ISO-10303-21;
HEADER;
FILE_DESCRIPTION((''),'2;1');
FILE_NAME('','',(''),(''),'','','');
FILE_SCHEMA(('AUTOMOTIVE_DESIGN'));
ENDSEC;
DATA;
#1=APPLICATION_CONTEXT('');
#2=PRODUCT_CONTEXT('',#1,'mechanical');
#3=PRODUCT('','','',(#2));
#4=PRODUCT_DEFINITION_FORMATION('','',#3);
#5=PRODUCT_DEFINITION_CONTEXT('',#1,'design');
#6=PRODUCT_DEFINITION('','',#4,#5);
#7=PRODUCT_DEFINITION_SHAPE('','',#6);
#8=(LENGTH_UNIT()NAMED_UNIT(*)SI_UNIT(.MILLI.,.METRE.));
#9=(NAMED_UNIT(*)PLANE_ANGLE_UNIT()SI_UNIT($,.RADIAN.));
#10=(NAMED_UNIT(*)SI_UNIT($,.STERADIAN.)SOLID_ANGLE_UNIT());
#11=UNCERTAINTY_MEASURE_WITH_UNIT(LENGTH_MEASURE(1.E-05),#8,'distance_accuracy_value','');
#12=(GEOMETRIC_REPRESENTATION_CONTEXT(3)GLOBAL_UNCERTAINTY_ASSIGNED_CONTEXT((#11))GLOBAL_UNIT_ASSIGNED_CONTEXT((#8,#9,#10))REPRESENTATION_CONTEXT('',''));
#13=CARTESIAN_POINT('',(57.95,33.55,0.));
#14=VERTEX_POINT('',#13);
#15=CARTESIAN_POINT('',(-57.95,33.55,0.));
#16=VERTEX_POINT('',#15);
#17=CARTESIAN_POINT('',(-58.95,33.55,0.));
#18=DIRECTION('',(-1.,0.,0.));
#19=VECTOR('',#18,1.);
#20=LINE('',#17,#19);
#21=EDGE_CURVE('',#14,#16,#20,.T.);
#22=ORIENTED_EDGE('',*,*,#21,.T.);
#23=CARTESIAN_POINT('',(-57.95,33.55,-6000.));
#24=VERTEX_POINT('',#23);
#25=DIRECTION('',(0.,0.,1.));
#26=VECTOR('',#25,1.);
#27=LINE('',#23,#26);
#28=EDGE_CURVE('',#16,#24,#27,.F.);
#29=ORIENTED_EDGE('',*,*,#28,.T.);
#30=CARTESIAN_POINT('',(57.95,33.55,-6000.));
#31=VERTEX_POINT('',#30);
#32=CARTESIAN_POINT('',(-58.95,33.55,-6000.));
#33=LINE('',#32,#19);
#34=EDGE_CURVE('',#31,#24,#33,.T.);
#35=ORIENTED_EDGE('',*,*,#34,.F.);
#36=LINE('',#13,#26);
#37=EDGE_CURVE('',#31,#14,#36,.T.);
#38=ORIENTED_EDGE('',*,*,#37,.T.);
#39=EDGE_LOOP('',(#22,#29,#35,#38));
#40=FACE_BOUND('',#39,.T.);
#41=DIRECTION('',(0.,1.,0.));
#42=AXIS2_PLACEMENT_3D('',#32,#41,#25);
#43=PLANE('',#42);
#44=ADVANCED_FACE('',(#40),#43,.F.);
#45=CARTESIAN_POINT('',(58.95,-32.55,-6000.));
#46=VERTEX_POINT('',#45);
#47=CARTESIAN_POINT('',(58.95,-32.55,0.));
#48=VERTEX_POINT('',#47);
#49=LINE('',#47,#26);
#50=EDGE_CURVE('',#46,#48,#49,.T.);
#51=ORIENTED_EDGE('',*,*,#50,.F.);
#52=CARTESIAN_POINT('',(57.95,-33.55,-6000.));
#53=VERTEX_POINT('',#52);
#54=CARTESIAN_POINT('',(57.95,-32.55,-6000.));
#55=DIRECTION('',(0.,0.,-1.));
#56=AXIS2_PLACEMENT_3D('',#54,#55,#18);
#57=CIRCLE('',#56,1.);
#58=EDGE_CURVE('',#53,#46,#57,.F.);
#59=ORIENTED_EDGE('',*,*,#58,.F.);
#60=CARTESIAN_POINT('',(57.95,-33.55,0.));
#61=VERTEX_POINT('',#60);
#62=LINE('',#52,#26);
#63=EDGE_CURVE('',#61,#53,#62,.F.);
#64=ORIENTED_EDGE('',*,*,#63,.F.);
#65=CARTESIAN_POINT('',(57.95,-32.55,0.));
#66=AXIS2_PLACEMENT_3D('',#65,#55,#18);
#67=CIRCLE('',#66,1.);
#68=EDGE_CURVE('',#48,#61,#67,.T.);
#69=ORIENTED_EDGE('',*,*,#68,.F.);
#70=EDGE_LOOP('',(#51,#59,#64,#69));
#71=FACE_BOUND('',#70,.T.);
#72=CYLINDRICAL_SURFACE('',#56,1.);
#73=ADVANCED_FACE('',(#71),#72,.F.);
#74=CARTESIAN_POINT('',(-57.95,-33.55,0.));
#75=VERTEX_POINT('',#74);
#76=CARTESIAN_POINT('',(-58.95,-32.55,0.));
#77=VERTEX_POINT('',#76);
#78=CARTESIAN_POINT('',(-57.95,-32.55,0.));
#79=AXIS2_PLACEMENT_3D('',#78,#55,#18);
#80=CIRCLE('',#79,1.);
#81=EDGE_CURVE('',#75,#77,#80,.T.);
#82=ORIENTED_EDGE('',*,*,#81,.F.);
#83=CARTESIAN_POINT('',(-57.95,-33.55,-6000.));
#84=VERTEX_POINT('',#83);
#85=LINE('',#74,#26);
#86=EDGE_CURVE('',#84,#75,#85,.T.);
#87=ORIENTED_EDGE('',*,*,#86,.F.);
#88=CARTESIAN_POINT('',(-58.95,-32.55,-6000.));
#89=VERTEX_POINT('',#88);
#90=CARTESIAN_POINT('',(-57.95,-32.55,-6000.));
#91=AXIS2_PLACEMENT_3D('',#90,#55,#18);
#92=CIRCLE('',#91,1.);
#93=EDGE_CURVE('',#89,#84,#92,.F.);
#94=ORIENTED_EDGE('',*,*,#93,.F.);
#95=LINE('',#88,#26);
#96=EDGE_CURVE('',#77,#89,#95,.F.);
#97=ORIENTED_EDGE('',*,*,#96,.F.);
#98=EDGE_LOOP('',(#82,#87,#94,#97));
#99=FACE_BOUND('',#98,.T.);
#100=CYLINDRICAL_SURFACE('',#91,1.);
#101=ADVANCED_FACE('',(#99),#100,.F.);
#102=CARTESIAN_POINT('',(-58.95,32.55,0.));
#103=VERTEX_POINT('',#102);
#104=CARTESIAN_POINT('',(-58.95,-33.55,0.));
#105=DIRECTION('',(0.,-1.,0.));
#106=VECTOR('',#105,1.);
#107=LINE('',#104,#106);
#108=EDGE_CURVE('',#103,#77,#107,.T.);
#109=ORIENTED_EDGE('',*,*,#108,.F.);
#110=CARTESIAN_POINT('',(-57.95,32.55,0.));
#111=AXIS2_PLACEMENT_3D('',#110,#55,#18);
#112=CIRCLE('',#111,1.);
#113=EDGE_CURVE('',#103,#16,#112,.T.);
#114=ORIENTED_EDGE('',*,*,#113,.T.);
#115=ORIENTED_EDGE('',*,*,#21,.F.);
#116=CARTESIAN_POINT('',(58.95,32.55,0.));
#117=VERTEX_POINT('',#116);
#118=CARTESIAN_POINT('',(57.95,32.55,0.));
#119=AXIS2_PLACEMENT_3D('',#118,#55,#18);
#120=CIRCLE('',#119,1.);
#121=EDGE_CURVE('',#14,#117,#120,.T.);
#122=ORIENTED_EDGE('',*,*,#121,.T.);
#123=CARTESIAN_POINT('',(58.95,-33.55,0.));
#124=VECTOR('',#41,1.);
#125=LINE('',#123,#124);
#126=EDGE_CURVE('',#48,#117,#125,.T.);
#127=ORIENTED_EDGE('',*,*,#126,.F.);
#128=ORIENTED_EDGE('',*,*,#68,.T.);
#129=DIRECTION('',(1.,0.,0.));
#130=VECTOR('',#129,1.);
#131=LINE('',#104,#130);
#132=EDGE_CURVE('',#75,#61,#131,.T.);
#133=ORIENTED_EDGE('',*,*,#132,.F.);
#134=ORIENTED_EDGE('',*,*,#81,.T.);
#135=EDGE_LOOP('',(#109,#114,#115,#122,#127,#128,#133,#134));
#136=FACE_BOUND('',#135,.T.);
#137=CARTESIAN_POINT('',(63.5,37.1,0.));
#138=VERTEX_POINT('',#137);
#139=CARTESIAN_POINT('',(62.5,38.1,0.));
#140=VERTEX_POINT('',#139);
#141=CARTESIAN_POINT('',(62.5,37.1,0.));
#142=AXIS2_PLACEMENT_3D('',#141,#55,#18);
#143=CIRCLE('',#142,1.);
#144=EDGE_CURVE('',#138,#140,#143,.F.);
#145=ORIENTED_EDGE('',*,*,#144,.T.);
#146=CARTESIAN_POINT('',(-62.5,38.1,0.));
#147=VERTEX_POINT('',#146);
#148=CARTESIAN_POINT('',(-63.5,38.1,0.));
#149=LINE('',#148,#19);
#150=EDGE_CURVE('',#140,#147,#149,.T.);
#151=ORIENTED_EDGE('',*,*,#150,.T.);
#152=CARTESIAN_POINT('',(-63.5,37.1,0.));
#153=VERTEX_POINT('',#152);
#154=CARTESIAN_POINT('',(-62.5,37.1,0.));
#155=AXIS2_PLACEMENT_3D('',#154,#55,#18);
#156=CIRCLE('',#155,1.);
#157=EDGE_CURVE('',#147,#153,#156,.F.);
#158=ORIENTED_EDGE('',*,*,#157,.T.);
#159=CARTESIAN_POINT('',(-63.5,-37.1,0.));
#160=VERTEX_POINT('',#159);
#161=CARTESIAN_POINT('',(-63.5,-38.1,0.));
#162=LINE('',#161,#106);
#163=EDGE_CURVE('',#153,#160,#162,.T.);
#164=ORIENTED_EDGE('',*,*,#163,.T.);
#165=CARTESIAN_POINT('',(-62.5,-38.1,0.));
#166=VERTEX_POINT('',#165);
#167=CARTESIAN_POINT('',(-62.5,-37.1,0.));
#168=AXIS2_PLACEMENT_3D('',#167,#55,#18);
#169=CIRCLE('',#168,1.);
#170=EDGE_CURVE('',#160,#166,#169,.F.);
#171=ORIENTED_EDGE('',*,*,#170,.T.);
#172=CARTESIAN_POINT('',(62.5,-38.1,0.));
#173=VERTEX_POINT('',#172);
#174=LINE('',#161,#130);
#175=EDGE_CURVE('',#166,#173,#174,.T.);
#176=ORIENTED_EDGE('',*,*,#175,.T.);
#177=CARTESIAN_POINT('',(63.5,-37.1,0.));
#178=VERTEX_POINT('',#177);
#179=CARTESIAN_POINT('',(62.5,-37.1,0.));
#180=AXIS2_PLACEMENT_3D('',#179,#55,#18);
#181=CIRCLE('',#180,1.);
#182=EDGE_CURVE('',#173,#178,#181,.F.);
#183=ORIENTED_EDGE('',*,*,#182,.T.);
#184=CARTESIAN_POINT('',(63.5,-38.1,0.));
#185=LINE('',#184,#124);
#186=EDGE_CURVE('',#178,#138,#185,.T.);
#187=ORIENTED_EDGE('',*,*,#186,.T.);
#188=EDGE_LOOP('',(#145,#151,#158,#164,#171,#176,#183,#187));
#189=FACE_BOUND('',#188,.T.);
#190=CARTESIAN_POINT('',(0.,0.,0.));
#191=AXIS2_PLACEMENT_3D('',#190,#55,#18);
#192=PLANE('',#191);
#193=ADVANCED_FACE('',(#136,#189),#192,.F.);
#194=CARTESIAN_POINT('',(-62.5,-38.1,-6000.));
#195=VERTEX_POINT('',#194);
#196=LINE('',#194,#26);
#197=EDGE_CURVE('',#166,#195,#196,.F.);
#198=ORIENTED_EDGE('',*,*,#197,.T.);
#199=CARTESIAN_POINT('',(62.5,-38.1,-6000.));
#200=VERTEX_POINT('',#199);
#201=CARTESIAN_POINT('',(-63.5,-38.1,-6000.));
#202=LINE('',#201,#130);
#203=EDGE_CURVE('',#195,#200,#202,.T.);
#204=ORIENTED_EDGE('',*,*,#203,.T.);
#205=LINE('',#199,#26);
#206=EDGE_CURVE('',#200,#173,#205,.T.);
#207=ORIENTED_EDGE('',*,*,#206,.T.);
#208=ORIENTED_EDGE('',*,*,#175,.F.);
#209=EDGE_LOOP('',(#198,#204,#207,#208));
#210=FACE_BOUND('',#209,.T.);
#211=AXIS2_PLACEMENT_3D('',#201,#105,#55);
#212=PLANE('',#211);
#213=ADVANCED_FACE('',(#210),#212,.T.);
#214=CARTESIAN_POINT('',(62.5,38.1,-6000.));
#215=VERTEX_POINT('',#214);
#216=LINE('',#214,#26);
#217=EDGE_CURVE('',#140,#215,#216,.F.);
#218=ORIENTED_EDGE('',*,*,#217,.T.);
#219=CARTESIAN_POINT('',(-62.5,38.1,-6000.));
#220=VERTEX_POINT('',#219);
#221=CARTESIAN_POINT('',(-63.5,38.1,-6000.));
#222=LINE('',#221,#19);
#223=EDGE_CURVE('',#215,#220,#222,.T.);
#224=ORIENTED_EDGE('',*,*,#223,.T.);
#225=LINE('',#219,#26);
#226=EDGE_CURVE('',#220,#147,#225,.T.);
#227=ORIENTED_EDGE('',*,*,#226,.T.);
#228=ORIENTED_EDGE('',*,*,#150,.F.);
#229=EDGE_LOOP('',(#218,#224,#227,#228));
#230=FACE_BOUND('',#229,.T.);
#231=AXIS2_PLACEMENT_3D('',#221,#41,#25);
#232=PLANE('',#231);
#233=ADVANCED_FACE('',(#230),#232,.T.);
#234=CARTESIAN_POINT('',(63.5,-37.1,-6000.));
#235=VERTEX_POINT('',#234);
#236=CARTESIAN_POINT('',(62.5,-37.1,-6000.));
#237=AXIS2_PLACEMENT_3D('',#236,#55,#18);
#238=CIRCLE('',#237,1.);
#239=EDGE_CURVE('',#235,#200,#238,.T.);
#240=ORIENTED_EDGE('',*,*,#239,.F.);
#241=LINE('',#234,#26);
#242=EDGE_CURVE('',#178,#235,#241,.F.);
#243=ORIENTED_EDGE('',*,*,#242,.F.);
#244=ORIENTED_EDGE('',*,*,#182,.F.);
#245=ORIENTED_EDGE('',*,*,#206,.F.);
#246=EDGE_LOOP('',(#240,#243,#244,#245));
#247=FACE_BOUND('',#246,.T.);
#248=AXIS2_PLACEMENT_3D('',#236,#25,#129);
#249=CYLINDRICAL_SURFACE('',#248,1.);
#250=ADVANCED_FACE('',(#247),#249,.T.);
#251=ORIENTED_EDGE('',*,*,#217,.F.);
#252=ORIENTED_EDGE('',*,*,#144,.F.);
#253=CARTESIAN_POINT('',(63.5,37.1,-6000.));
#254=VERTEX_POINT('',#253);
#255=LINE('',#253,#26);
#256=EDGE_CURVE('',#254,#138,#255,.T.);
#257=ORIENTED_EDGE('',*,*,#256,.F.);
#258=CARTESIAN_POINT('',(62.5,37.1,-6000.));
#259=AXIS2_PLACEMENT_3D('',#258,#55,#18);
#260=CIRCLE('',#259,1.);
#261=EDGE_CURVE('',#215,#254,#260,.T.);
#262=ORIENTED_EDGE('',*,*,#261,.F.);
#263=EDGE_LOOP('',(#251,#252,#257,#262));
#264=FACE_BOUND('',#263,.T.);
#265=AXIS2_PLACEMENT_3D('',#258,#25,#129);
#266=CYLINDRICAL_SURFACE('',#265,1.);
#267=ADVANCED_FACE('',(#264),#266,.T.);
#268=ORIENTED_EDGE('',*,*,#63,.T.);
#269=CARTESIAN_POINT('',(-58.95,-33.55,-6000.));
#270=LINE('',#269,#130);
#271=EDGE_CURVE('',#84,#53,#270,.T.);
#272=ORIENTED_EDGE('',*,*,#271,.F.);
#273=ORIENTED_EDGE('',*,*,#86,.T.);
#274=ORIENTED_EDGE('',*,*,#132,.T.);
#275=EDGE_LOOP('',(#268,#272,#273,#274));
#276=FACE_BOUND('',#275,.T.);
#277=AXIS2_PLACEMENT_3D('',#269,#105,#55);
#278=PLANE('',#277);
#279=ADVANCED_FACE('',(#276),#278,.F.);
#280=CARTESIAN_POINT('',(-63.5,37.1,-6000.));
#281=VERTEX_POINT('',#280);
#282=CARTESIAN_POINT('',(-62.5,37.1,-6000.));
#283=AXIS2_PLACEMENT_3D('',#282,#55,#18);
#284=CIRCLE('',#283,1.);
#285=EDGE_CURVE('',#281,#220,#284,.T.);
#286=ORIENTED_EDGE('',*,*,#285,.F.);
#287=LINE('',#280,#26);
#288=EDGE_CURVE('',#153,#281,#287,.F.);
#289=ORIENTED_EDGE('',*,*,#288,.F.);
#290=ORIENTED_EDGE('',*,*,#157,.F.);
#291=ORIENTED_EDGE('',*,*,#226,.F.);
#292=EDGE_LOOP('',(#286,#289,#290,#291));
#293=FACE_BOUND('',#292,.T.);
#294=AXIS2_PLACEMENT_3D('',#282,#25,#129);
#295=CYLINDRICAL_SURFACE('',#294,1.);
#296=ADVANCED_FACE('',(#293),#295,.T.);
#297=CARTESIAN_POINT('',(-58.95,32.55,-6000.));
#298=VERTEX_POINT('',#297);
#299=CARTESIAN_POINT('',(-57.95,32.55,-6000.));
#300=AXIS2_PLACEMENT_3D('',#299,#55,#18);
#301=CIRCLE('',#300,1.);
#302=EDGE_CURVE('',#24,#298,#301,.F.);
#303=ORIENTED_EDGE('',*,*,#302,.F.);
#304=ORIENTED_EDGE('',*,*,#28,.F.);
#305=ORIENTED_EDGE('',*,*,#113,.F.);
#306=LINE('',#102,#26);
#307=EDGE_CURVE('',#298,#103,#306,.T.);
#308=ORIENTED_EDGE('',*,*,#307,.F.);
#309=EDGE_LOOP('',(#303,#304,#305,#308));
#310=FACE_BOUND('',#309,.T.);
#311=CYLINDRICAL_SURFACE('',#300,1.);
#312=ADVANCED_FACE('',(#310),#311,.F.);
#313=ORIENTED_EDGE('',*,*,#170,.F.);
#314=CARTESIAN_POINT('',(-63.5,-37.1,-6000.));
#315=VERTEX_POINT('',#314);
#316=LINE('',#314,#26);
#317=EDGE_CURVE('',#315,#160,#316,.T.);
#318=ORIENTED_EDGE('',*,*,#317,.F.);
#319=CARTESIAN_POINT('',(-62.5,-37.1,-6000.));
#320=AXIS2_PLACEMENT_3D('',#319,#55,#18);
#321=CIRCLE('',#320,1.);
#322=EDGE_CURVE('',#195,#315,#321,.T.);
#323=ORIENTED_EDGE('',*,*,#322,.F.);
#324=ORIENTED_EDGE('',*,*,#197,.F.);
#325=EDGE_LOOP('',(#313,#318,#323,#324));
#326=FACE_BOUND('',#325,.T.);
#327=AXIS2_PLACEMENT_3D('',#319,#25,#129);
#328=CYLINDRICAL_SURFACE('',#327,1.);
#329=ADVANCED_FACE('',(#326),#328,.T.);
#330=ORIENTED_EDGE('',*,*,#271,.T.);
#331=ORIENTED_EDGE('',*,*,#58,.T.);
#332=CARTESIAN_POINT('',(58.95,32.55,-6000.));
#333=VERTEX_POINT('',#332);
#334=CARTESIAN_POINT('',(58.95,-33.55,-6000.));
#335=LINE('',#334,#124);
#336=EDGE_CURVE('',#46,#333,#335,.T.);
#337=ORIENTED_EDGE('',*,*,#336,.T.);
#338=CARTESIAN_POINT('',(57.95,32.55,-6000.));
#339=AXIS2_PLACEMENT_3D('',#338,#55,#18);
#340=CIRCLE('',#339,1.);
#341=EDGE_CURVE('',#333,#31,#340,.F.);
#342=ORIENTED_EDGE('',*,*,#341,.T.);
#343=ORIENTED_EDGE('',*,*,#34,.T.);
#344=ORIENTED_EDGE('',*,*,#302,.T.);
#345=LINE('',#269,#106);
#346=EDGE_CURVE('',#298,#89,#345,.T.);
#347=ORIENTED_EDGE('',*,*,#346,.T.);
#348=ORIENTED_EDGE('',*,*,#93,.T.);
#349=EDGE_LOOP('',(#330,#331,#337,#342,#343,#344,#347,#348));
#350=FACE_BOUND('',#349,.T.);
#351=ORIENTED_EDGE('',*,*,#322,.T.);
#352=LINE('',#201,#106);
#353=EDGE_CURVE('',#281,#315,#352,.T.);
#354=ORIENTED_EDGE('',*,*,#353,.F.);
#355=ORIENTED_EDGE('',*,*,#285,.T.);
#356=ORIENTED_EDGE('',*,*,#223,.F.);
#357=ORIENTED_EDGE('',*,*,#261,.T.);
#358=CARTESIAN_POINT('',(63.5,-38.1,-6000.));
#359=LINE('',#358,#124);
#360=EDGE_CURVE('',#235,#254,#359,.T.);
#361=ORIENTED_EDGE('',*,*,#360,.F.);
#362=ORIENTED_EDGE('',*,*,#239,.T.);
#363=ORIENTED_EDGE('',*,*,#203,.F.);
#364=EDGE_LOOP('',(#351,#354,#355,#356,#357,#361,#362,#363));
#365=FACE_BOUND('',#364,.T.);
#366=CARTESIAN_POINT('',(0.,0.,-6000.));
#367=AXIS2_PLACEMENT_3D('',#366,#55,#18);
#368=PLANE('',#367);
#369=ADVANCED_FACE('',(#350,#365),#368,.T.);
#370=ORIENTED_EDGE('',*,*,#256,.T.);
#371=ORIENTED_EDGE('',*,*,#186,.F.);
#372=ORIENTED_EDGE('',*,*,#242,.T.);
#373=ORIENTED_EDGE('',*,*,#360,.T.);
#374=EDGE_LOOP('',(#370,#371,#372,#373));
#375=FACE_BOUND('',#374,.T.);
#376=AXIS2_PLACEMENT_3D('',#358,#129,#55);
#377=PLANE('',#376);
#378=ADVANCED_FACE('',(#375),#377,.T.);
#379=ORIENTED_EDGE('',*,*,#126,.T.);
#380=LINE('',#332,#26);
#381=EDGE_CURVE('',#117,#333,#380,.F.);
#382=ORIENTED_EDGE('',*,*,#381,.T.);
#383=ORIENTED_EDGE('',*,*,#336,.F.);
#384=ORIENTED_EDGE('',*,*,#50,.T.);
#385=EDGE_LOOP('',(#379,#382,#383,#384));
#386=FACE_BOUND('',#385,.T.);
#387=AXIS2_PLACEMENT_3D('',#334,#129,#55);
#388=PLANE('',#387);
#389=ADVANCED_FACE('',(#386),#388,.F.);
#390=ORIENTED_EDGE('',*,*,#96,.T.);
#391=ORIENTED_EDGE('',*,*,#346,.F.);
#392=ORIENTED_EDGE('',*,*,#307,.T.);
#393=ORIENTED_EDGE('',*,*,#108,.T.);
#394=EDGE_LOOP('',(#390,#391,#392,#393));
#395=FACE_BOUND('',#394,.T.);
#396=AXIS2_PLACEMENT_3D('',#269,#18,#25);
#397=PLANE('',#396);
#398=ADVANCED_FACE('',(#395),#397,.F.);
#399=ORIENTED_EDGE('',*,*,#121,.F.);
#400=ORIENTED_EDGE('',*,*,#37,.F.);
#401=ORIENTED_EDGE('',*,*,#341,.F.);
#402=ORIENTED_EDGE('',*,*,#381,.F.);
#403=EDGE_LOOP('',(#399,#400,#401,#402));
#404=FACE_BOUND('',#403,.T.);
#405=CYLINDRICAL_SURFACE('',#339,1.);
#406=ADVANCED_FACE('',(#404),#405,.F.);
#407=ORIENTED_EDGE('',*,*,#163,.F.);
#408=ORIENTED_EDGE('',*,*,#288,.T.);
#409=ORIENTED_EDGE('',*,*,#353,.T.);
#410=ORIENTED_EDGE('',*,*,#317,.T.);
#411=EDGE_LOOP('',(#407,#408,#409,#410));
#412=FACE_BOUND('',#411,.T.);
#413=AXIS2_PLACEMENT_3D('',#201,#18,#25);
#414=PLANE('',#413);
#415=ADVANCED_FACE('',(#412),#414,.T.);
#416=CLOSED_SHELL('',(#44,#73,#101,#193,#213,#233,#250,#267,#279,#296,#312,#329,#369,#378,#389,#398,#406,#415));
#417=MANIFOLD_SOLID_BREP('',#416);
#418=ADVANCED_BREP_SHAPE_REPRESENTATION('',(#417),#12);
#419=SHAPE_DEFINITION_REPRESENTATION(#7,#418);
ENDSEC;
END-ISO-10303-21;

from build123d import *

# Parameters (mm, degrees)
CROQUIS1_W              = 127
CROQUIS1_H              = 76.2
CROQUIS1_W_2            = 117.9
CROQUIS1_H_2            = 67.1
SALIENTE_EXTRUIR1_DEPTH = 6000
REDONDEO1_R             = 1


with BuildPart() as part:
    # Croquis1 → Saliente-Extruir1 (new body)
    with BuildSketch(Plane.XY):
        Rectangle(CROQUIS1_W, CROQUIS1_H)
        Rectangle(CROQUIS1_W_2, CROQUIS1_H_2, mode=Mode.SUBTRACT)
    extrude(amount=-SALIENTE_EXTRUIR1_DEPTH)

    # Redondeo1
    redondeo1_edges = [part.edges().sort_by_distance(p)[0] for p in [
        (58.95, -33.55, -3000),
        (-58.95, -33.55, -3000),
        (-58.95, 33.55, -3000),
        (58.95, 33.55, -3000),
        (63.5, -38.1, -3000),
        (-63.5, -38.1, -3000),
        (-63.5, 38.1, -3000),
        (63.5, 38.1, -3000),
    ]]
    fillet(redondeo1_edges, radius=REDONDEO1_R)


solid = part.part
